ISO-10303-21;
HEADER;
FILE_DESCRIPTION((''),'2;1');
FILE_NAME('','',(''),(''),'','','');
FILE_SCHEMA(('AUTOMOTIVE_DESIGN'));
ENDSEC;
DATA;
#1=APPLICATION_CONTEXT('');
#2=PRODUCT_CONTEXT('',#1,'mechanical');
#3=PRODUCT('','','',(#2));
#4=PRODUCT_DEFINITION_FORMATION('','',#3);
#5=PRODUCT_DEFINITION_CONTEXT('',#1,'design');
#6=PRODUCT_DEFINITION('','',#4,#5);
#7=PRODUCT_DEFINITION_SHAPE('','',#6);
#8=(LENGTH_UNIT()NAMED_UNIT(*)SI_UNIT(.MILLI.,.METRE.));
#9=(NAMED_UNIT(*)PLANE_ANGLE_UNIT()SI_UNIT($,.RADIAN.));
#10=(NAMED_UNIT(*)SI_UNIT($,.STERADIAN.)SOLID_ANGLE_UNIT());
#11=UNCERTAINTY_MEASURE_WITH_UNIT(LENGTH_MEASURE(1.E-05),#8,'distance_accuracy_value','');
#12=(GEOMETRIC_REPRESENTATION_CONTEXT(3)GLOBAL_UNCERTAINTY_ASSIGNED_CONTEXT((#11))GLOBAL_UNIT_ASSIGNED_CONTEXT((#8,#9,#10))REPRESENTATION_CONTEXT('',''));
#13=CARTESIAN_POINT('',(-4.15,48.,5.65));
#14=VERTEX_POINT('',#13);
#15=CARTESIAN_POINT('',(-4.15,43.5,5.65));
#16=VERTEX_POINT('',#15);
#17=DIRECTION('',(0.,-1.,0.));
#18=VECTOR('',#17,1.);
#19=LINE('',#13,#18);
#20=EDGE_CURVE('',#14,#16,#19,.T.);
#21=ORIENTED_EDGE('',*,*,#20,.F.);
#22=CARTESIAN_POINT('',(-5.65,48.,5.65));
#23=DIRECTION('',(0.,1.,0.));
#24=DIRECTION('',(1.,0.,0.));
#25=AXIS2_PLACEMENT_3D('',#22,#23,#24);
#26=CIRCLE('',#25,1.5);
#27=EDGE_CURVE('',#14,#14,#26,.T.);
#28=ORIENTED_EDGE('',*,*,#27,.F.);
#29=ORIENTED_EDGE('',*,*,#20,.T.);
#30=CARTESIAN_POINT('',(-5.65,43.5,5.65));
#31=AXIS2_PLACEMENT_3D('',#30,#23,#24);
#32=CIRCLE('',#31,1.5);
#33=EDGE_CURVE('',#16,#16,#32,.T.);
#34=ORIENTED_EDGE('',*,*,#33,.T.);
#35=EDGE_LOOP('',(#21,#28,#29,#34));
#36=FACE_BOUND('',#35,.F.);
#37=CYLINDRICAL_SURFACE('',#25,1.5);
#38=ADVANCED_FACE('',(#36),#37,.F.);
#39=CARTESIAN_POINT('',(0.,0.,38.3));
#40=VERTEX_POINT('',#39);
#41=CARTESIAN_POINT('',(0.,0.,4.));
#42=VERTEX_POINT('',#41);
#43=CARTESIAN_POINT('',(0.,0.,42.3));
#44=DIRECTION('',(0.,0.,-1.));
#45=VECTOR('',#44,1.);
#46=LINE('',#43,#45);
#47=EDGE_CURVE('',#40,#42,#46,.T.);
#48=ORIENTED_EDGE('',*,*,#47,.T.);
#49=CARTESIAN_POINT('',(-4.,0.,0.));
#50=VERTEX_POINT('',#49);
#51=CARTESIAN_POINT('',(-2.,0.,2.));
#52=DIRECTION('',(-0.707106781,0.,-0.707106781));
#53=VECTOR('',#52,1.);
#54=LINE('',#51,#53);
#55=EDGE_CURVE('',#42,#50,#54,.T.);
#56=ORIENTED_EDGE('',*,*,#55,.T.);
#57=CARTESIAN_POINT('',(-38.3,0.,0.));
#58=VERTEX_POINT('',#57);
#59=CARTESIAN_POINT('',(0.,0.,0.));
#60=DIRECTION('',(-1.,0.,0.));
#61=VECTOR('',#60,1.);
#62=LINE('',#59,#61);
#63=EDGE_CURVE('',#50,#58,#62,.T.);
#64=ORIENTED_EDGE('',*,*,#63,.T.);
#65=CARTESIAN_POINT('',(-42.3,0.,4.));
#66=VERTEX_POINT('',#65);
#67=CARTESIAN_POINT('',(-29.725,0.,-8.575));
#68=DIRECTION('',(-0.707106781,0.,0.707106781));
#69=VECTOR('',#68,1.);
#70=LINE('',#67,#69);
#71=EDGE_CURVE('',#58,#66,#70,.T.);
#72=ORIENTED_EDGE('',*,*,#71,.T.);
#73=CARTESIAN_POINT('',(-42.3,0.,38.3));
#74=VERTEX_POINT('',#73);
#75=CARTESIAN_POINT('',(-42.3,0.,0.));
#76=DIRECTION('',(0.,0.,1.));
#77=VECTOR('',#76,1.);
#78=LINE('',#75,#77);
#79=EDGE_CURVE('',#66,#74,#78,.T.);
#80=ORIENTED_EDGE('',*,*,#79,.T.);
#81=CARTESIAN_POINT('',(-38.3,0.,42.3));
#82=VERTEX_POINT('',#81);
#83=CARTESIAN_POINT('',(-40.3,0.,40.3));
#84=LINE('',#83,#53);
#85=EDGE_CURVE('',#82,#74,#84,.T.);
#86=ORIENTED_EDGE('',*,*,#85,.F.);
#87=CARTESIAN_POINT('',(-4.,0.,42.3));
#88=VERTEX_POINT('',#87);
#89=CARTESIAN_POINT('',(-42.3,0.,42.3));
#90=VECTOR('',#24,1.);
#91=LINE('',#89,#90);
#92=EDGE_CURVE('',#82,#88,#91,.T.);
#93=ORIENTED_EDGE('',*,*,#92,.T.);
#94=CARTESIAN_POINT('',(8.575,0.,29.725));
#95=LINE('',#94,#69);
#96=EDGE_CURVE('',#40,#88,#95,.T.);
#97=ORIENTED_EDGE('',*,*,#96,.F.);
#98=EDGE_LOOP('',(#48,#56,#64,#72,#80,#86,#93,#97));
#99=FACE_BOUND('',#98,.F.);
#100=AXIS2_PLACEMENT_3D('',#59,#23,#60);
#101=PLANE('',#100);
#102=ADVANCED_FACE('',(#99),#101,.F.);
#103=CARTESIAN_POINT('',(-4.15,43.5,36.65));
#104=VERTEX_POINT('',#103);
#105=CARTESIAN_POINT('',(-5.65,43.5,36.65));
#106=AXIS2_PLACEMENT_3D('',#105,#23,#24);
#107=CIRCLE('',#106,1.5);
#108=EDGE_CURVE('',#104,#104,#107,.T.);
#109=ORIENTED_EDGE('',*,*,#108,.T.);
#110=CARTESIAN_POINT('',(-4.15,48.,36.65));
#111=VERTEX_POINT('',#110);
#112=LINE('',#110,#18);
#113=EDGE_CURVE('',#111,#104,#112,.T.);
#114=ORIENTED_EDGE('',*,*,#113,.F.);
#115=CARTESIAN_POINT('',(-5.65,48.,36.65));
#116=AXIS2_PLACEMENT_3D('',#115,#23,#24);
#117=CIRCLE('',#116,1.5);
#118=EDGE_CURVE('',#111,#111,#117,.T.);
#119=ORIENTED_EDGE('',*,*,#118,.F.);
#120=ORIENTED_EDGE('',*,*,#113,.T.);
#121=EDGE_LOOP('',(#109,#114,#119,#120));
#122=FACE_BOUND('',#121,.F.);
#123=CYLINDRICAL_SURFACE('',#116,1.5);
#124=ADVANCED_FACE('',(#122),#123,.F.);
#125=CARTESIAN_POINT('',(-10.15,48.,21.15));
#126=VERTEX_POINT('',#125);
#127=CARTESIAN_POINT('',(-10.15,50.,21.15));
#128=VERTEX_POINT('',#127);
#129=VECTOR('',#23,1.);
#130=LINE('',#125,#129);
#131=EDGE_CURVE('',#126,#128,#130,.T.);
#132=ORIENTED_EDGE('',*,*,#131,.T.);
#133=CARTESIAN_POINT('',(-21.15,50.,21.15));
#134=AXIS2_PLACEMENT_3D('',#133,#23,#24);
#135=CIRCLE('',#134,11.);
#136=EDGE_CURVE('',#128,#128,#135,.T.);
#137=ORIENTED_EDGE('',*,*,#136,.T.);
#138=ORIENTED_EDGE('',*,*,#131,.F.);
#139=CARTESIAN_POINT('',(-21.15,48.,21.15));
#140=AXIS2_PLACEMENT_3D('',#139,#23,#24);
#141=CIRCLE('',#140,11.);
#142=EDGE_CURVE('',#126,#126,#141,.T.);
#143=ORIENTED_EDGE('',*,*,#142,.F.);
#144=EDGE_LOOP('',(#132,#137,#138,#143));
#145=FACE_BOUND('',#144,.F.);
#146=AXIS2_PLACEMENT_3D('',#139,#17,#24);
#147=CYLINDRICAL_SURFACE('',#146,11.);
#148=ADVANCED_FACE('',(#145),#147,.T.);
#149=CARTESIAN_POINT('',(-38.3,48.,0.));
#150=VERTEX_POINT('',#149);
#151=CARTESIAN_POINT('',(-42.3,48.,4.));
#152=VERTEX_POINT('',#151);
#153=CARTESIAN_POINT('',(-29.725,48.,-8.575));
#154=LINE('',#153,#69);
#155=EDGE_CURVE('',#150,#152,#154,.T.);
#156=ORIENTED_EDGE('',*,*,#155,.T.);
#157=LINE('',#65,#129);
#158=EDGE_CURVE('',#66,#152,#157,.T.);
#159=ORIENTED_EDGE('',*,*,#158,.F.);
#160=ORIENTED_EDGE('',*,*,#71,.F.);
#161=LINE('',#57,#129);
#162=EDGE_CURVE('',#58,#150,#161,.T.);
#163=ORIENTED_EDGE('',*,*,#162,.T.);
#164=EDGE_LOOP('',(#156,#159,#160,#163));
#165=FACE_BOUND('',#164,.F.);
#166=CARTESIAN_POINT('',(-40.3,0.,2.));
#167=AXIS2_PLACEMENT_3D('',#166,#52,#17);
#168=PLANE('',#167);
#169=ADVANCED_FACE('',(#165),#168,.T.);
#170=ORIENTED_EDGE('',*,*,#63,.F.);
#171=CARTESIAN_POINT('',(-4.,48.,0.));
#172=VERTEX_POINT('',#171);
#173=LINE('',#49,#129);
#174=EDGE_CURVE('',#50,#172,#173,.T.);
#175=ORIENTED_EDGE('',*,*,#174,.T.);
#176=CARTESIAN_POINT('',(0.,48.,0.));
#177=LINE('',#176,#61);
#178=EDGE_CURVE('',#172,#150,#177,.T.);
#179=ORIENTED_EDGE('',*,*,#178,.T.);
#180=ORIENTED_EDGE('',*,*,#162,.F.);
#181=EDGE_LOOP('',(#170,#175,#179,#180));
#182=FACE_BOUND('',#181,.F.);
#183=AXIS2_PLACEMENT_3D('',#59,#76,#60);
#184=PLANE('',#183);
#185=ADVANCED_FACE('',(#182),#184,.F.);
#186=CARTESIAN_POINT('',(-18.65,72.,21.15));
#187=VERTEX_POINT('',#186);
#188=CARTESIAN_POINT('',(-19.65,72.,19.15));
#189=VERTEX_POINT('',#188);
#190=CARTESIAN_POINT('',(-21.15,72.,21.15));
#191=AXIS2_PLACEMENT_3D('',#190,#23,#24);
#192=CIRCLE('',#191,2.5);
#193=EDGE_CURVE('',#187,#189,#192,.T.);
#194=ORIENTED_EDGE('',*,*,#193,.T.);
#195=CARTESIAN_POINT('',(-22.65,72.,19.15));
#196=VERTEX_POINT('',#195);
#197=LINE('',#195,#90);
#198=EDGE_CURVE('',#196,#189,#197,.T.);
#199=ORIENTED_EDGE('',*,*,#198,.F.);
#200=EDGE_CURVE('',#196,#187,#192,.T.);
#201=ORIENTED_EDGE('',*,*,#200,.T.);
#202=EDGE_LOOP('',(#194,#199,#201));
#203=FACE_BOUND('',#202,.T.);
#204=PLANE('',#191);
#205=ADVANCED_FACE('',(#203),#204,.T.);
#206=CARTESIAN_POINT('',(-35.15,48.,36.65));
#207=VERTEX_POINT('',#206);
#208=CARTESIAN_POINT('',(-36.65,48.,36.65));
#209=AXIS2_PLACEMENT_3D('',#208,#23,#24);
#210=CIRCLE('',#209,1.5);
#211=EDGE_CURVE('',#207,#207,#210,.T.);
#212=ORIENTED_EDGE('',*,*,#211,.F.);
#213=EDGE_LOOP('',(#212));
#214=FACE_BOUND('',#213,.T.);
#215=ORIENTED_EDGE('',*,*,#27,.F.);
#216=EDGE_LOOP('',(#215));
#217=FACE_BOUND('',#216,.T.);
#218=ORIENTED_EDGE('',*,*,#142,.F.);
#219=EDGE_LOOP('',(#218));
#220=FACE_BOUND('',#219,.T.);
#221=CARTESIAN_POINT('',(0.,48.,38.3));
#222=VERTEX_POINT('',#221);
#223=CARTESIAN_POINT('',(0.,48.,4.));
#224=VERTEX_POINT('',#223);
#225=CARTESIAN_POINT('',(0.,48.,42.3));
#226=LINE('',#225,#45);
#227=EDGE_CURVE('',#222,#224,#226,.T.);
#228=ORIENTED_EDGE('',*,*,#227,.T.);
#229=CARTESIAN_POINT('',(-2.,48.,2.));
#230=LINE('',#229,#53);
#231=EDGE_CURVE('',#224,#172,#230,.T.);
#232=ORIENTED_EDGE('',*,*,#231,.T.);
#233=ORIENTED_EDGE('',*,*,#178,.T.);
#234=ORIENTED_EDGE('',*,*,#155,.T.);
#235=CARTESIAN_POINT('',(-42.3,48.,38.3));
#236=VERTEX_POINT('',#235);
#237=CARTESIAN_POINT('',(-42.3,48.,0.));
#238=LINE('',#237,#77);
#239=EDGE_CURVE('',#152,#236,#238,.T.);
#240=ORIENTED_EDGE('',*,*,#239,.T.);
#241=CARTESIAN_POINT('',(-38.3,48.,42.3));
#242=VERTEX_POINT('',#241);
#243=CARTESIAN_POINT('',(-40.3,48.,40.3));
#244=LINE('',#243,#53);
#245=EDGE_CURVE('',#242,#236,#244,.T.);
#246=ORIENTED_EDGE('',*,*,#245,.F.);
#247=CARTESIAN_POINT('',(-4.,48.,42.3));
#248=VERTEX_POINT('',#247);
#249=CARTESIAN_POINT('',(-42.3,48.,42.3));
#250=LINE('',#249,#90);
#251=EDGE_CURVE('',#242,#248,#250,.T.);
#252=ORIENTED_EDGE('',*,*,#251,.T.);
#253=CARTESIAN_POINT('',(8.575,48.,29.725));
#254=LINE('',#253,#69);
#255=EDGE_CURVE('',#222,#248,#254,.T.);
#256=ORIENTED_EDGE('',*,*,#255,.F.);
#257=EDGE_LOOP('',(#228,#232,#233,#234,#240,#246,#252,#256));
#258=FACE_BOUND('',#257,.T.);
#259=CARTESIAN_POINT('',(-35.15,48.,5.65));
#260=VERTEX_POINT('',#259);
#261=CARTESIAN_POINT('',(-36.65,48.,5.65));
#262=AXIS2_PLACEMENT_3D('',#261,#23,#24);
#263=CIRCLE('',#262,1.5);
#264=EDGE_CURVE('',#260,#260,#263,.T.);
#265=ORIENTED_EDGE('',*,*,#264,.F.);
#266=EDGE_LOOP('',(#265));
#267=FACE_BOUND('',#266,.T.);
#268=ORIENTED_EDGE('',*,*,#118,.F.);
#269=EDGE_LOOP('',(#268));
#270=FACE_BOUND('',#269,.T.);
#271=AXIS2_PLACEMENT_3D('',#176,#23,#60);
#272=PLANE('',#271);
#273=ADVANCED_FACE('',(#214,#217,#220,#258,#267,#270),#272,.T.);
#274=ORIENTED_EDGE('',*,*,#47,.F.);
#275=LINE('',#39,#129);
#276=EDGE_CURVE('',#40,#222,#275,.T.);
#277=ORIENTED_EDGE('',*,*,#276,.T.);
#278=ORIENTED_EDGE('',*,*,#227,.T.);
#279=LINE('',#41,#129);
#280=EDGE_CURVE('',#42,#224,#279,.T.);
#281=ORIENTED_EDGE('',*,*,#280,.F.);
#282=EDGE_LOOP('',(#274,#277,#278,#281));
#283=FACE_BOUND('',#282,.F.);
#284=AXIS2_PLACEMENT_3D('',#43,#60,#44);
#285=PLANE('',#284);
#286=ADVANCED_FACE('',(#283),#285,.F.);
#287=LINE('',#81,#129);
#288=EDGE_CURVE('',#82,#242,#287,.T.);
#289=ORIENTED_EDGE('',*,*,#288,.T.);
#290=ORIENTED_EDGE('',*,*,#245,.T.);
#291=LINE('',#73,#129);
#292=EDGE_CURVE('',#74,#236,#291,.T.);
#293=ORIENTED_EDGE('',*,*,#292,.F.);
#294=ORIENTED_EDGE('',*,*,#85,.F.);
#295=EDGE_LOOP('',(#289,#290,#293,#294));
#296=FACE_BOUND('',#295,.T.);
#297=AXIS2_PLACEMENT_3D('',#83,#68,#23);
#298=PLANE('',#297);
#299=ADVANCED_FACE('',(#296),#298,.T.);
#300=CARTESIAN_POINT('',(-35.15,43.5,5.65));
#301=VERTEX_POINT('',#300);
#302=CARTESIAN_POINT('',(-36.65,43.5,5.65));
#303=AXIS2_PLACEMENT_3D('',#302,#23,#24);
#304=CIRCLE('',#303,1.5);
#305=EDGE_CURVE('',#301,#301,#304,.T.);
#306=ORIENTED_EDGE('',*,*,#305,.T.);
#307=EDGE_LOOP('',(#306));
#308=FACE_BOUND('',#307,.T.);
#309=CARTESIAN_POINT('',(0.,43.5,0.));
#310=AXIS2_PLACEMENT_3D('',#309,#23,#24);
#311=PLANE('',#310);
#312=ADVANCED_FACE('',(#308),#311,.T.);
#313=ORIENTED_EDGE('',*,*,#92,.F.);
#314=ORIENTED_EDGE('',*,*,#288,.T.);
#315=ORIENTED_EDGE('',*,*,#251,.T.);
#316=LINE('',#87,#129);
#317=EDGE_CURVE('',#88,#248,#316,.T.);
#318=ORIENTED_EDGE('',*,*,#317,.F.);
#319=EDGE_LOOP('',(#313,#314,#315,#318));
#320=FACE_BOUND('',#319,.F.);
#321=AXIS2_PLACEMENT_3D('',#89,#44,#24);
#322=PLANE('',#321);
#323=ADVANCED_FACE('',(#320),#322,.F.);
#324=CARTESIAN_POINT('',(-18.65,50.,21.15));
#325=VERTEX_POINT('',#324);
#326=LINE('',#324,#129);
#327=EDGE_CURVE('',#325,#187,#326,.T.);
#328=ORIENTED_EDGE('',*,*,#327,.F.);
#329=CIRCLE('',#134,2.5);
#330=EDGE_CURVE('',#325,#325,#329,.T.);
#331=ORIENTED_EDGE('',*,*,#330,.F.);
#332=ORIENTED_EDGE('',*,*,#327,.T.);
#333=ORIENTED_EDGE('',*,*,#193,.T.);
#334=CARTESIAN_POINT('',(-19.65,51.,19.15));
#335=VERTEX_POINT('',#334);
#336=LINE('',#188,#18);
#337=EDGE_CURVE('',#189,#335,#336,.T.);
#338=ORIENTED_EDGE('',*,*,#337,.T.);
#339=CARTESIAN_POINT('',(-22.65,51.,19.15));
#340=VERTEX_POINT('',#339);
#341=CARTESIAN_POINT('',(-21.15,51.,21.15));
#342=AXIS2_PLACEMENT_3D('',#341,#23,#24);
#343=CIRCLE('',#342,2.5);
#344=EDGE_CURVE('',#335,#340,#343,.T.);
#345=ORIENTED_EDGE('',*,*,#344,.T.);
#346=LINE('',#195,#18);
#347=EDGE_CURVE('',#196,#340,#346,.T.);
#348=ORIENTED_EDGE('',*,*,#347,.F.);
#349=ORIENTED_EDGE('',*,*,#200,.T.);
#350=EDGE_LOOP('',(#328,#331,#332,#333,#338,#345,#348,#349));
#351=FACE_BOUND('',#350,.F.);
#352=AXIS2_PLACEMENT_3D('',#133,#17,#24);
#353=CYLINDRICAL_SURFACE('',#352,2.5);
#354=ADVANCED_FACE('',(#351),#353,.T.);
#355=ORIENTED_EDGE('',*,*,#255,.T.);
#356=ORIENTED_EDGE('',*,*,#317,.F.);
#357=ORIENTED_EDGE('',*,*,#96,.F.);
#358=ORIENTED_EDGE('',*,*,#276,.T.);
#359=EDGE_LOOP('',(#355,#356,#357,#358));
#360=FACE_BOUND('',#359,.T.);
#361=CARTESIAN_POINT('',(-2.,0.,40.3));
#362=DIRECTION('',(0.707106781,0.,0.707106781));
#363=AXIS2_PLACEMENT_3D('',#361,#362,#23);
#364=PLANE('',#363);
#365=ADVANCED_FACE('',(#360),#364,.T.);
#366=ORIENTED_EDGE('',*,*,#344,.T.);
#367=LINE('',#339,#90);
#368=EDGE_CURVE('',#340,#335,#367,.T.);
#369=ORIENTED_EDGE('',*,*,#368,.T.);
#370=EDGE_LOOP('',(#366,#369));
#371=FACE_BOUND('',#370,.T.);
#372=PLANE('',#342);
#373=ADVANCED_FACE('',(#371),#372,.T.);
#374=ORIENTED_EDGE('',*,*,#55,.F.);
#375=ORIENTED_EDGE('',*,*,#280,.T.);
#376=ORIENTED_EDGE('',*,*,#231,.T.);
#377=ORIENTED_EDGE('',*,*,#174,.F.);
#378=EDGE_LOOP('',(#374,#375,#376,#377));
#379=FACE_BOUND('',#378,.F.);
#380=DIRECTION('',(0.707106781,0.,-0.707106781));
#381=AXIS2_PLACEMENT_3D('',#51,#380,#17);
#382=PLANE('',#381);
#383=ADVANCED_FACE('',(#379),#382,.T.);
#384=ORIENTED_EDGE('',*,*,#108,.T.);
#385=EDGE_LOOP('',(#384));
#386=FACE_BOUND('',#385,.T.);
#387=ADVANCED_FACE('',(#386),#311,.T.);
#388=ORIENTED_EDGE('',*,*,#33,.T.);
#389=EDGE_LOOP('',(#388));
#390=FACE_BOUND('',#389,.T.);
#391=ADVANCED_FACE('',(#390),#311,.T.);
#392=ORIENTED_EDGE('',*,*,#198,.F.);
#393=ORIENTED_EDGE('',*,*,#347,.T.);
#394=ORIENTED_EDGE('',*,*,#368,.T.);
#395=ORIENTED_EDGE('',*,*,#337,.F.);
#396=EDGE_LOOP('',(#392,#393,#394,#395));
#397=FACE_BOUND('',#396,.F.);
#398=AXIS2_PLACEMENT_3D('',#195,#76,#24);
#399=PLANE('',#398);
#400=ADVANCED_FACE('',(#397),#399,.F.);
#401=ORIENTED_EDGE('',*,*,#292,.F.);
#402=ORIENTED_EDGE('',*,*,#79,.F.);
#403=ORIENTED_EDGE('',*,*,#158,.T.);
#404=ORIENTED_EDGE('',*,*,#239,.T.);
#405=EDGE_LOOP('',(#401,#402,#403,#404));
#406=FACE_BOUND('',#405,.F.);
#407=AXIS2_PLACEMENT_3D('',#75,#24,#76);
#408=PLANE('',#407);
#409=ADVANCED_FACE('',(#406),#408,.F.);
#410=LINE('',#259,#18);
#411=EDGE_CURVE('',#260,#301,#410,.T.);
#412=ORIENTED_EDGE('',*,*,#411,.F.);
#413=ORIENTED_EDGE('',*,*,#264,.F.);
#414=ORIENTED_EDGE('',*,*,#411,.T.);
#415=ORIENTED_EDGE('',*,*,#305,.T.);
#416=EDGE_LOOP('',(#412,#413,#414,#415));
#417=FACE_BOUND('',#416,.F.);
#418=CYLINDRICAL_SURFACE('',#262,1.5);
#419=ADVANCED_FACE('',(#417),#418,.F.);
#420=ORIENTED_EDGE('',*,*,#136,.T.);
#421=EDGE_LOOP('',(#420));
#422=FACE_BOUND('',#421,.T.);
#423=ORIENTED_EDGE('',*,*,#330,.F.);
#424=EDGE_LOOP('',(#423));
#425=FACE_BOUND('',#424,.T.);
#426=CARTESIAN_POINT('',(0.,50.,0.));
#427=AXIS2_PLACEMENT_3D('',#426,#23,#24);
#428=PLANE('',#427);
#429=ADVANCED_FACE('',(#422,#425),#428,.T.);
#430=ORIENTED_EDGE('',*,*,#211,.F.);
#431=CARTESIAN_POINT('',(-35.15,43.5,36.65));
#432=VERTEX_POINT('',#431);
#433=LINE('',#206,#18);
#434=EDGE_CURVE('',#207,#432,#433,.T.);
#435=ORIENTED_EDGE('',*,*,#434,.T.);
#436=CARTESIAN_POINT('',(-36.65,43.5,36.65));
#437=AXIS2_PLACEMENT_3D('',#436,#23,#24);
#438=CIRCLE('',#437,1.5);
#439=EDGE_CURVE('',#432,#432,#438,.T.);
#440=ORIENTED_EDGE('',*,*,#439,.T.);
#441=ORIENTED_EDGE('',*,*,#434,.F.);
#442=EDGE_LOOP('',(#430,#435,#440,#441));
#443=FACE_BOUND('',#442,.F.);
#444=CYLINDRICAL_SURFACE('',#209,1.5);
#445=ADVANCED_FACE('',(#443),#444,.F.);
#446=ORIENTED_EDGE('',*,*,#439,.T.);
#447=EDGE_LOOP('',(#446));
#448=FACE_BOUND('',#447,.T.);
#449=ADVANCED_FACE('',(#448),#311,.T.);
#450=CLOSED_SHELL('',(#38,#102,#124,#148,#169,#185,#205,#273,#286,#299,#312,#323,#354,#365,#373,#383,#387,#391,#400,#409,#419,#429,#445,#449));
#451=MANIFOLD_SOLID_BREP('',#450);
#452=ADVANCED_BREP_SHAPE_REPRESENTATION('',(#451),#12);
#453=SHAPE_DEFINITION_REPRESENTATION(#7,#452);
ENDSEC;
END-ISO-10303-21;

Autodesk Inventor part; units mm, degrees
ref_plane "YZ Plane" through (0, 0, 0) normal (1, 0, 0) x (0, 1, 0)
ref_plane "XZ Plane" through (0, 0, 0) normal (0, 1, 0) x (-1, 0, 0)
ref_plane "XY Plane" through (0, 0, 0) normal (0, 0, 1) x (1, 0, 0)
sketch "Sketch1" plane through (0, 0, 0) normal (0, 1, 0) x (-1, 0, 0)
  line L0 (0, 0) -> (42.3, 0)
  line L1 (42.3, 0) -> (42.3, 42.3)
  line L2 (42.3, 42.3) -> (0, 42.3)
  line L3 (0, 42.3) -> (0, 0)
  dimension "d0" = 42.3
  dimension "d1" = 42.3
extrude "Extrusion1" add sketch "Sketch1" along normal blind 48
sketch "Sketch2" plane through (0, 48, 0) normal (0, 1, 0) x (1, 0, 0)
  line L0 (0, 0) -> (-42.3, 0) projected
  line L1 (0, -42.3) -> (0, 0) projected
  circle A0 centre (-21.15, -21.15) radius 11
  point P0 (0, -2)
  point P1 (-2, 0)
  point P2 (-40.3, 0)
  point P3 (0, -40.3)
  dimension "d6" = 22
  dimension "d7" = 21.15
  dimension "d8" = 21.15
extrude "Extrusion2" add sketch "Sketch2" along normal blind 2
sketch "Sketch3" plane through (-21.15, 50, 21.15) normal (0, 1, 0) x (1, 0, 0)
  circle A0 centre (0, 0) radius 11 projected
  circle A1 centre (0, 0) radius 2.5
  point P0 (21.15, 21.15)
  dimension "d11" = 5
extrude "Extrusion3" add sketch "Sketch3" along normal blind 22 contours A1
sketch "Sketch4" plane through (-21.15, 72, 21.15) normal (0, 1, 0) x (1, 0, 0)
  circle A0 centre (0, 0) radius 2.5 projected
  line L0 (-1.5, 2) -> (1.5, 2)
  point P0 (21.15, 21.15)
  dimension "d14" = 2
extrude "Extrusion4" cut sketch "Sketch4" against normal blind 21 contours L0 A0 picked at (-0.3466, 2.0912)
sketch "Sketch5" plane through (0, 48, 0) normal (0, 1, 0) x (1, 0, 0)
  line L0 (-42.3, 0) -> (-42.3, -42.3) projected
  line L1 (-42.3, -42.3) -> (0, -42.3) projected
  circle A0 centre (-36.65, -5.65) radius 1.5
  circle A1 centre (-5.65, -5.65) radius 1.5
  circle A2 centre (-5.65, -36.65) radius 1.5
  circle A3 centre (-36.65, -36.65) radius 1.5
  point P0 (-42.3, -2)
  point P1 (-42.3, -40.3)
  point P2 (-40.3, -42.3)
  point P3 (-2, -42.3)
  point P4 (0, 0)
  dimension "d17" = 3
  dimension "d18" = 3
  dimension "d19" = 3
  dimension "d20" = 3
  dimension "d21" = 31
  dimension "d22" = 5.65
  dimension "d23" = 31
  dimension "d24" = 5.65
extrude "Extrusion5" cut sketch "Sketch5" against normal blind 4.5
chamfer "Chamfer1" distance 4 angle 45 4 edges at (-42.3, 24, 0) (-42.3, 24, 42.3) (0, 24, 0) (0, 24, 42.3)
properties part number "StepperMotorNema17x48mm"
